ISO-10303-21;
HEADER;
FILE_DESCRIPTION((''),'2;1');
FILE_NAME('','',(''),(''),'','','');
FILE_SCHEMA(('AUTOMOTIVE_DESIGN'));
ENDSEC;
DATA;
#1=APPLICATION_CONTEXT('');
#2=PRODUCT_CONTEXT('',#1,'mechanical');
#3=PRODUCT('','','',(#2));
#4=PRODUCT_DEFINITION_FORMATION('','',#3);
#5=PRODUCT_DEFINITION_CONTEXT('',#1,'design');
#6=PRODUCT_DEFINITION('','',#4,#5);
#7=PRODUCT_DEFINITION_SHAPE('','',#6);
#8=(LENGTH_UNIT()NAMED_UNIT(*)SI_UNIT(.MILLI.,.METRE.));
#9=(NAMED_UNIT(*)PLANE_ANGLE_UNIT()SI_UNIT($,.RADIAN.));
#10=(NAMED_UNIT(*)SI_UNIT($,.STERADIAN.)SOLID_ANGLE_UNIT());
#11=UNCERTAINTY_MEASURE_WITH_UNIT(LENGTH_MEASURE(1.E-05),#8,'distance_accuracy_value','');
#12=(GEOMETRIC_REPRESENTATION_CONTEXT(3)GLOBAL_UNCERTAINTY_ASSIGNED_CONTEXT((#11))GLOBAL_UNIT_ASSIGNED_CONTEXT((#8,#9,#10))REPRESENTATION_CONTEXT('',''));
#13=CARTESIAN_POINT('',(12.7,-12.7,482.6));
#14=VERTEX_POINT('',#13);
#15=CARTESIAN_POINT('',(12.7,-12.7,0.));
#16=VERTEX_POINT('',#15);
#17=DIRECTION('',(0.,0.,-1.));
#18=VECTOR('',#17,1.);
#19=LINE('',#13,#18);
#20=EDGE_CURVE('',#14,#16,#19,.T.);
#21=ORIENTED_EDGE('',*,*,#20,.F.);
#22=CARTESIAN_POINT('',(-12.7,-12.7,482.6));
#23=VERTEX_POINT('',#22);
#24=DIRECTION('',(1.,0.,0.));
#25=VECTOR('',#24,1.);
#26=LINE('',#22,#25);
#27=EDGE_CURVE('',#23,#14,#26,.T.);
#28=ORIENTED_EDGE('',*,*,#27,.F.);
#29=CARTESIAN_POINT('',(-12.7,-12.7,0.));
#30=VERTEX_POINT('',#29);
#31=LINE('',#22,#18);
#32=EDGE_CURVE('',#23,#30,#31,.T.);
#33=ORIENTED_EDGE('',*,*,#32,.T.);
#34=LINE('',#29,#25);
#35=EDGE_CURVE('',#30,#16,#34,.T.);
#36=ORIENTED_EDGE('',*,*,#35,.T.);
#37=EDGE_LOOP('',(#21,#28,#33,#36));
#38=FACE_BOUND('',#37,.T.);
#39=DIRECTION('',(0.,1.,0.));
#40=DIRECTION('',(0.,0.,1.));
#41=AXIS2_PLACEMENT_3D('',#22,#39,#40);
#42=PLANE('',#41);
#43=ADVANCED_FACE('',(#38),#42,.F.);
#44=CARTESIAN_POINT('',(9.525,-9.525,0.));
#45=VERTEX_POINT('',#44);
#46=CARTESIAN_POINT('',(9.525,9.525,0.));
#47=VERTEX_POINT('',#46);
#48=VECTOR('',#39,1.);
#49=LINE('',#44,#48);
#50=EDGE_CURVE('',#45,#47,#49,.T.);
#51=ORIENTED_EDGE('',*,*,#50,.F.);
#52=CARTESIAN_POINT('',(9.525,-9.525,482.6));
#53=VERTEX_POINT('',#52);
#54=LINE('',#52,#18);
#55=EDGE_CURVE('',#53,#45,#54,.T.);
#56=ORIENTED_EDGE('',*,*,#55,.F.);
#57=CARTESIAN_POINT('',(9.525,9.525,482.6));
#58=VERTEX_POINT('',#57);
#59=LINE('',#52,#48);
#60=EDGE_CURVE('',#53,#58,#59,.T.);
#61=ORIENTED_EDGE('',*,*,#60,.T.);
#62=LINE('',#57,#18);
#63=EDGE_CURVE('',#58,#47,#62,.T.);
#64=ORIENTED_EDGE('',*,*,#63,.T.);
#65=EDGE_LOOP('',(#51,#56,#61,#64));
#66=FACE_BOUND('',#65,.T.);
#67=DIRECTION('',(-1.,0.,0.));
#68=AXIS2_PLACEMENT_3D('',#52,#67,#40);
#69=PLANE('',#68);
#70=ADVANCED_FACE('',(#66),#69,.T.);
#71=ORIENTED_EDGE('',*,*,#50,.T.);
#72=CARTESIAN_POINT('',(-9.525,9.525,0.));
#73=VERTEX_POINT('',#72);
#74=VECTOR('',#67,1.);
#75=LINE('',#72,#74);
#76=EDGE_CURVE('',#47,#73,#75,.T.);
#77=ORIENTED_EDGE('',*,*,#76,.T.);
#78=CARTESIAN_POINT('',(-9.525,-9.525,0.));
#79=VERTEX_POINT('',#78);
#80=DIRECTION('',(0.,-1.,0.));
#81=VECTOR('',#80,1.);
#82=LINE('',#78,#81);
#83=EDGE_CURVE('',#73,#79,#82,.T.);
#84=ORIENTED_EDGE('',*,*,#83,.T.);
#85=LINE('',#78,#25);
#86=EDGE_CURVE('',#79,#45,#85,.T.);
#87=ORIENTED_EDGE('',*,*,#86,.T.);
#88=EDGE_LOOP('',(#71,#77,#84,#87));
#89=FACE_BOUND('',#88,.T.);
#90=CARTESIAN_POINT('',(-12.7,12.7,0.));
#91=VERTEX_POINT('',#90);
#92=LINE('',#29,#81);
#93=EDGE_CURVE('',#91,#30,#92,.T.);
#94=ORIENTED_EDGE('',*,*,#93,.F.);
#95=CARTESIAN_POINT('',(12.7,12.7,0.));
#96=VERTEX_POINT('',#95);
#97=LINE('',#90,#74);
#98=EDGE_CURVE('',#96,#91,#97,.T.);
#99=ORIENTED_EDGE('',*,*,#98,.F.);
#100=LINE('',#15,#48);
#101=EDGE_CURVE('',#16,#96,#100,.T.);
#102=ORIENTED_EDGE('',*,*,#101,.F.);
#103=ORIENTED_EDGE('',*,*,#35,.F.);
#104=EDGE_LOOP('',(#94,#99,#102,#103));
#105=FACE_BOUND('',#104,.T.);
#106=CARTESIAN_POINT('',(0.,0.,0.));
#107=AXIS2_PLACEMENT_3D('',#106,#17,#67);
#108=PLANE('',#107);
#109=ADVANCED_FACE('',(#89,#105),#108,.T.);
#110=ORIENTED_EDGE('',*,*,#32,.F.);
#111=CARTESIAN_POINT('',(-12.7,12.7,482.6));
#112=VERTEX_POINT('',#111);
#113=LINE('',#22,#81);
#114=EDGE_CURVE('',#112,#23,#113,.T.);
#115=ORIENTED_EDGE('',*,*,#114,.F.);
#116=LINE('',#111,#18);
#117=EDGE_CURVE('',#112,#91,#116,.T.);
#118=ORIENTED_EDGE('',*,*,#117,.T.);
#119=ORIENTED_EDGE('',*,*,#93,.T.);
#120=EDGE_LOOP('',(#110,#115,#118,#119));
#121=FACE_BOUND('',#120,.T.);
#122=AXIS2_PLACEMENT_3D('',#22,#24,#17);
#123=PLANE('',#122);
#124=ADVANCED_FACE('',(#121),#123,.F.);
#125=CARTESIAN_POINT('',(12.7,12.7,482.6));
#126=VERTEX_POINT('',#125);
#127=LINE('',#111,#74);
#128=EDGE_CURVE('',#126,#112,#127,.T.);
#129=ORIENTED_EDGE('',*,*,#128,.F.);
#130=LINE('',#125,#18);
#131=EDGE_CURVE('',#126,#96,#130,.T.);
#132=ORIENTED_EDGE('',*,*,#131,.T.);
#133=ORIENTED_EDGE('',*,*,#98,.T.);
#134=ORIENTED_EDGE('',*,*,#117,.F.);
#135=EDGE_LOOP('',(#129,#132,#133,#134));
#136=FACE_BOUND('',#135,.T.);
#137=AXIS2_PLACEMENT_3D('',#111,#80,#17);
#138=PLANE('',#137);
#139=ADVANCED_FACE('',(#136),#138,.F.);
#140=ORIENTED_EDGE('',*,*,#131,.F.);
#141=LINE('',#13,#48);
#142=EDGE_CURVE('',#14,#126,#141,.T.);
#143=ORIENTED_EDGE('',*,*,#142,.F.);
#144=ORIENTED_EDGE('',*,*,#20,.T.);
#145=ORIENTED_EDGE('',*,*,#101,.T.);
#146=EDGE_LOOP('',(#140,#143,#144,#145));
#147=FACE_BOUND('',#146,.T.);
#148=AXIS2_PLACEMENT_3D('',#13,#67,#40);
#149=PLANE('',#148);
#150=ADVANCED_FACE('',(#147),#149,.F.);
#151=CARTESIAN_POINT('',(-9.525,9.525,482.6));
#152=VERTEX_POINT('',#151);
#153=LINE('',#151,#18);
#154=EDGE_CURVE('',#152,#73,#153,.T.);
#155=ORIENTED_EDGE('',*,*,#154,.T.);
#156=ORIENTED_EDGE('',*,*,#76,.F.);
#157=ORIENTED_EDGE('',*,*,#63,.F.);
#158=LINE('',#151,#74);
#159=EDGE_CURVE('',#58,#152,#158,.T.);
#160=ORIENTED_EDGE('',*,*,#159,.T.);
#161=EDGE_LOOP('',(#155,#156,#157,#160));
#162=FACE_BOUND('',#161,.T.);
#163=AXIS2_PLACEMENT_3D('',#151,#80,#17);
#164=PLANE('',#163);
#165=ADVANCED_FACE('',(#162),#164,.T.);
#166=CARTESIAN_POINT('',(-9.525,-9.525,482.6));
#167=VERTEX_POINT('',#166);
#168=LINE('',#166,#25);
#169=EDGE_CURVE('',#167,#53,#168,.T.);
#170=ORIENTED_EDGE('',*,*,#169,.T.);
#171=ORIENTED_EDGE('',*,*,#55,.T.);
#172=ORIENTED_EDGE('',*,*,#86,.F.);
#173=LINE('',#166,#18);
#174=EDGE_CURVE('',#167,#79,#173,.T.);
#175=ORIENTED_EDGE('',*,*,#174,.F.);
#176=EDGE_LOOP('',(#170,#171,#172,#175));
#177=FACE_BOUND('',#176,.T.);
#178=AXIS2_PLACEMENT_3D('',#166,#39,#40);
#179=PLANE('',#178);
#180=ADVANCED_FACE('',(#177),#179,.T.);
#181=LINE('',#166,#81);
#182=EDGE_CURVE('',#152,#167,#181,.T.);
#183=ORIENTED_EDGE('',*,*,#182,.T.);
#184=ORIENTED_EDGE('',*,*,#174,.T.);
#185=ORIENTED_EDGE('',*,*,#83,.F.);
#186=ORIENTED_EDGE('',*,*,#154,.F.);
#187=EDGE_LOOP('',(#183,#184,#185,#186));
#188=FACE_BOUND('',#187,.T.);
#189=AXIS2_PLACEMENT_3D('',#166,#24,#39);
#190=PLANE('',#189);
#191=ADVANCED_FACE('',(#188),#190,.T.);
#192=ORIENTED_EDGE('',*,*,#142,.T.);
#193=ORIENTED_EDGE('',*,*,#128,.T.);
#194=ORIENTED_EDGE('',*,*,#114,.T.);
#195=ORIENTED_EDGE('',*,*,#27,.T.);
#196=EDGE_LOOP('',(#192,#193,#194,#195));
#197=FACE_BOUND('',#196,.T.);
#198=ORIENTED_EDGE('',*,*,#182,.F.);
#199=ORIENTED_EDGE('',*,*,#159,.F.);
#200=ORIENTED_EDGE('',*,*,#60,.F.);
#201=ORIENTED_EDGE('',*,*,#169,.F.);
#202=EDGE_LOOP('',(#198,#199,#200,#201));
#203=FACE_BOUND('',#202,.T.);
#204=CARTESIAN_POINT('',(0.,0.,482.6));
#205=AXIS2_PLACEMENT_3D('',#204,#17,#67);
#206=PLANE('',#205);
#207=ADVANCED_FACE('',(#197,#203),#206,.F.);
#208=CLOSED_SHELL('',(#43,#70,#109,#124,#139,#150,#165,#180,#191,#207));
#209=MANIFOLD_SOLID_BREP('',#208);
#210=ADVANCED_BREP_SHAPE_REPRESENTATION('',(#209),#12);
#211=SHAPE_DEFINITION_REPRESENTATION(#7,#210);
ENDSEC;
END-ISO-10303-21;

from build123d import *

# Parameters (mm, degrees)
SKETCH1_W           = 25.4
SKETCH1_H           = 25.4
SKETCH1_W_2         = 19.05
SKETCH1_H_2         = 19.05
BOSS_EXTRUDE1_DEPTH = 482.6


with BuildPart() as part:
    # Sketch1 → Boss-Extrude1 (new body)
    with BuildSketch(Plane.XY):
        Rectangle(SKETCH1_W, SKETCH1_H)
        Rectangle(SKETCH1_W_2, SKETCH1_H_2, mode=Mode.SUBTRACT)
    extrude(amount=BOSS_EXTRUDE1_DEPTH)


solid = part.part
